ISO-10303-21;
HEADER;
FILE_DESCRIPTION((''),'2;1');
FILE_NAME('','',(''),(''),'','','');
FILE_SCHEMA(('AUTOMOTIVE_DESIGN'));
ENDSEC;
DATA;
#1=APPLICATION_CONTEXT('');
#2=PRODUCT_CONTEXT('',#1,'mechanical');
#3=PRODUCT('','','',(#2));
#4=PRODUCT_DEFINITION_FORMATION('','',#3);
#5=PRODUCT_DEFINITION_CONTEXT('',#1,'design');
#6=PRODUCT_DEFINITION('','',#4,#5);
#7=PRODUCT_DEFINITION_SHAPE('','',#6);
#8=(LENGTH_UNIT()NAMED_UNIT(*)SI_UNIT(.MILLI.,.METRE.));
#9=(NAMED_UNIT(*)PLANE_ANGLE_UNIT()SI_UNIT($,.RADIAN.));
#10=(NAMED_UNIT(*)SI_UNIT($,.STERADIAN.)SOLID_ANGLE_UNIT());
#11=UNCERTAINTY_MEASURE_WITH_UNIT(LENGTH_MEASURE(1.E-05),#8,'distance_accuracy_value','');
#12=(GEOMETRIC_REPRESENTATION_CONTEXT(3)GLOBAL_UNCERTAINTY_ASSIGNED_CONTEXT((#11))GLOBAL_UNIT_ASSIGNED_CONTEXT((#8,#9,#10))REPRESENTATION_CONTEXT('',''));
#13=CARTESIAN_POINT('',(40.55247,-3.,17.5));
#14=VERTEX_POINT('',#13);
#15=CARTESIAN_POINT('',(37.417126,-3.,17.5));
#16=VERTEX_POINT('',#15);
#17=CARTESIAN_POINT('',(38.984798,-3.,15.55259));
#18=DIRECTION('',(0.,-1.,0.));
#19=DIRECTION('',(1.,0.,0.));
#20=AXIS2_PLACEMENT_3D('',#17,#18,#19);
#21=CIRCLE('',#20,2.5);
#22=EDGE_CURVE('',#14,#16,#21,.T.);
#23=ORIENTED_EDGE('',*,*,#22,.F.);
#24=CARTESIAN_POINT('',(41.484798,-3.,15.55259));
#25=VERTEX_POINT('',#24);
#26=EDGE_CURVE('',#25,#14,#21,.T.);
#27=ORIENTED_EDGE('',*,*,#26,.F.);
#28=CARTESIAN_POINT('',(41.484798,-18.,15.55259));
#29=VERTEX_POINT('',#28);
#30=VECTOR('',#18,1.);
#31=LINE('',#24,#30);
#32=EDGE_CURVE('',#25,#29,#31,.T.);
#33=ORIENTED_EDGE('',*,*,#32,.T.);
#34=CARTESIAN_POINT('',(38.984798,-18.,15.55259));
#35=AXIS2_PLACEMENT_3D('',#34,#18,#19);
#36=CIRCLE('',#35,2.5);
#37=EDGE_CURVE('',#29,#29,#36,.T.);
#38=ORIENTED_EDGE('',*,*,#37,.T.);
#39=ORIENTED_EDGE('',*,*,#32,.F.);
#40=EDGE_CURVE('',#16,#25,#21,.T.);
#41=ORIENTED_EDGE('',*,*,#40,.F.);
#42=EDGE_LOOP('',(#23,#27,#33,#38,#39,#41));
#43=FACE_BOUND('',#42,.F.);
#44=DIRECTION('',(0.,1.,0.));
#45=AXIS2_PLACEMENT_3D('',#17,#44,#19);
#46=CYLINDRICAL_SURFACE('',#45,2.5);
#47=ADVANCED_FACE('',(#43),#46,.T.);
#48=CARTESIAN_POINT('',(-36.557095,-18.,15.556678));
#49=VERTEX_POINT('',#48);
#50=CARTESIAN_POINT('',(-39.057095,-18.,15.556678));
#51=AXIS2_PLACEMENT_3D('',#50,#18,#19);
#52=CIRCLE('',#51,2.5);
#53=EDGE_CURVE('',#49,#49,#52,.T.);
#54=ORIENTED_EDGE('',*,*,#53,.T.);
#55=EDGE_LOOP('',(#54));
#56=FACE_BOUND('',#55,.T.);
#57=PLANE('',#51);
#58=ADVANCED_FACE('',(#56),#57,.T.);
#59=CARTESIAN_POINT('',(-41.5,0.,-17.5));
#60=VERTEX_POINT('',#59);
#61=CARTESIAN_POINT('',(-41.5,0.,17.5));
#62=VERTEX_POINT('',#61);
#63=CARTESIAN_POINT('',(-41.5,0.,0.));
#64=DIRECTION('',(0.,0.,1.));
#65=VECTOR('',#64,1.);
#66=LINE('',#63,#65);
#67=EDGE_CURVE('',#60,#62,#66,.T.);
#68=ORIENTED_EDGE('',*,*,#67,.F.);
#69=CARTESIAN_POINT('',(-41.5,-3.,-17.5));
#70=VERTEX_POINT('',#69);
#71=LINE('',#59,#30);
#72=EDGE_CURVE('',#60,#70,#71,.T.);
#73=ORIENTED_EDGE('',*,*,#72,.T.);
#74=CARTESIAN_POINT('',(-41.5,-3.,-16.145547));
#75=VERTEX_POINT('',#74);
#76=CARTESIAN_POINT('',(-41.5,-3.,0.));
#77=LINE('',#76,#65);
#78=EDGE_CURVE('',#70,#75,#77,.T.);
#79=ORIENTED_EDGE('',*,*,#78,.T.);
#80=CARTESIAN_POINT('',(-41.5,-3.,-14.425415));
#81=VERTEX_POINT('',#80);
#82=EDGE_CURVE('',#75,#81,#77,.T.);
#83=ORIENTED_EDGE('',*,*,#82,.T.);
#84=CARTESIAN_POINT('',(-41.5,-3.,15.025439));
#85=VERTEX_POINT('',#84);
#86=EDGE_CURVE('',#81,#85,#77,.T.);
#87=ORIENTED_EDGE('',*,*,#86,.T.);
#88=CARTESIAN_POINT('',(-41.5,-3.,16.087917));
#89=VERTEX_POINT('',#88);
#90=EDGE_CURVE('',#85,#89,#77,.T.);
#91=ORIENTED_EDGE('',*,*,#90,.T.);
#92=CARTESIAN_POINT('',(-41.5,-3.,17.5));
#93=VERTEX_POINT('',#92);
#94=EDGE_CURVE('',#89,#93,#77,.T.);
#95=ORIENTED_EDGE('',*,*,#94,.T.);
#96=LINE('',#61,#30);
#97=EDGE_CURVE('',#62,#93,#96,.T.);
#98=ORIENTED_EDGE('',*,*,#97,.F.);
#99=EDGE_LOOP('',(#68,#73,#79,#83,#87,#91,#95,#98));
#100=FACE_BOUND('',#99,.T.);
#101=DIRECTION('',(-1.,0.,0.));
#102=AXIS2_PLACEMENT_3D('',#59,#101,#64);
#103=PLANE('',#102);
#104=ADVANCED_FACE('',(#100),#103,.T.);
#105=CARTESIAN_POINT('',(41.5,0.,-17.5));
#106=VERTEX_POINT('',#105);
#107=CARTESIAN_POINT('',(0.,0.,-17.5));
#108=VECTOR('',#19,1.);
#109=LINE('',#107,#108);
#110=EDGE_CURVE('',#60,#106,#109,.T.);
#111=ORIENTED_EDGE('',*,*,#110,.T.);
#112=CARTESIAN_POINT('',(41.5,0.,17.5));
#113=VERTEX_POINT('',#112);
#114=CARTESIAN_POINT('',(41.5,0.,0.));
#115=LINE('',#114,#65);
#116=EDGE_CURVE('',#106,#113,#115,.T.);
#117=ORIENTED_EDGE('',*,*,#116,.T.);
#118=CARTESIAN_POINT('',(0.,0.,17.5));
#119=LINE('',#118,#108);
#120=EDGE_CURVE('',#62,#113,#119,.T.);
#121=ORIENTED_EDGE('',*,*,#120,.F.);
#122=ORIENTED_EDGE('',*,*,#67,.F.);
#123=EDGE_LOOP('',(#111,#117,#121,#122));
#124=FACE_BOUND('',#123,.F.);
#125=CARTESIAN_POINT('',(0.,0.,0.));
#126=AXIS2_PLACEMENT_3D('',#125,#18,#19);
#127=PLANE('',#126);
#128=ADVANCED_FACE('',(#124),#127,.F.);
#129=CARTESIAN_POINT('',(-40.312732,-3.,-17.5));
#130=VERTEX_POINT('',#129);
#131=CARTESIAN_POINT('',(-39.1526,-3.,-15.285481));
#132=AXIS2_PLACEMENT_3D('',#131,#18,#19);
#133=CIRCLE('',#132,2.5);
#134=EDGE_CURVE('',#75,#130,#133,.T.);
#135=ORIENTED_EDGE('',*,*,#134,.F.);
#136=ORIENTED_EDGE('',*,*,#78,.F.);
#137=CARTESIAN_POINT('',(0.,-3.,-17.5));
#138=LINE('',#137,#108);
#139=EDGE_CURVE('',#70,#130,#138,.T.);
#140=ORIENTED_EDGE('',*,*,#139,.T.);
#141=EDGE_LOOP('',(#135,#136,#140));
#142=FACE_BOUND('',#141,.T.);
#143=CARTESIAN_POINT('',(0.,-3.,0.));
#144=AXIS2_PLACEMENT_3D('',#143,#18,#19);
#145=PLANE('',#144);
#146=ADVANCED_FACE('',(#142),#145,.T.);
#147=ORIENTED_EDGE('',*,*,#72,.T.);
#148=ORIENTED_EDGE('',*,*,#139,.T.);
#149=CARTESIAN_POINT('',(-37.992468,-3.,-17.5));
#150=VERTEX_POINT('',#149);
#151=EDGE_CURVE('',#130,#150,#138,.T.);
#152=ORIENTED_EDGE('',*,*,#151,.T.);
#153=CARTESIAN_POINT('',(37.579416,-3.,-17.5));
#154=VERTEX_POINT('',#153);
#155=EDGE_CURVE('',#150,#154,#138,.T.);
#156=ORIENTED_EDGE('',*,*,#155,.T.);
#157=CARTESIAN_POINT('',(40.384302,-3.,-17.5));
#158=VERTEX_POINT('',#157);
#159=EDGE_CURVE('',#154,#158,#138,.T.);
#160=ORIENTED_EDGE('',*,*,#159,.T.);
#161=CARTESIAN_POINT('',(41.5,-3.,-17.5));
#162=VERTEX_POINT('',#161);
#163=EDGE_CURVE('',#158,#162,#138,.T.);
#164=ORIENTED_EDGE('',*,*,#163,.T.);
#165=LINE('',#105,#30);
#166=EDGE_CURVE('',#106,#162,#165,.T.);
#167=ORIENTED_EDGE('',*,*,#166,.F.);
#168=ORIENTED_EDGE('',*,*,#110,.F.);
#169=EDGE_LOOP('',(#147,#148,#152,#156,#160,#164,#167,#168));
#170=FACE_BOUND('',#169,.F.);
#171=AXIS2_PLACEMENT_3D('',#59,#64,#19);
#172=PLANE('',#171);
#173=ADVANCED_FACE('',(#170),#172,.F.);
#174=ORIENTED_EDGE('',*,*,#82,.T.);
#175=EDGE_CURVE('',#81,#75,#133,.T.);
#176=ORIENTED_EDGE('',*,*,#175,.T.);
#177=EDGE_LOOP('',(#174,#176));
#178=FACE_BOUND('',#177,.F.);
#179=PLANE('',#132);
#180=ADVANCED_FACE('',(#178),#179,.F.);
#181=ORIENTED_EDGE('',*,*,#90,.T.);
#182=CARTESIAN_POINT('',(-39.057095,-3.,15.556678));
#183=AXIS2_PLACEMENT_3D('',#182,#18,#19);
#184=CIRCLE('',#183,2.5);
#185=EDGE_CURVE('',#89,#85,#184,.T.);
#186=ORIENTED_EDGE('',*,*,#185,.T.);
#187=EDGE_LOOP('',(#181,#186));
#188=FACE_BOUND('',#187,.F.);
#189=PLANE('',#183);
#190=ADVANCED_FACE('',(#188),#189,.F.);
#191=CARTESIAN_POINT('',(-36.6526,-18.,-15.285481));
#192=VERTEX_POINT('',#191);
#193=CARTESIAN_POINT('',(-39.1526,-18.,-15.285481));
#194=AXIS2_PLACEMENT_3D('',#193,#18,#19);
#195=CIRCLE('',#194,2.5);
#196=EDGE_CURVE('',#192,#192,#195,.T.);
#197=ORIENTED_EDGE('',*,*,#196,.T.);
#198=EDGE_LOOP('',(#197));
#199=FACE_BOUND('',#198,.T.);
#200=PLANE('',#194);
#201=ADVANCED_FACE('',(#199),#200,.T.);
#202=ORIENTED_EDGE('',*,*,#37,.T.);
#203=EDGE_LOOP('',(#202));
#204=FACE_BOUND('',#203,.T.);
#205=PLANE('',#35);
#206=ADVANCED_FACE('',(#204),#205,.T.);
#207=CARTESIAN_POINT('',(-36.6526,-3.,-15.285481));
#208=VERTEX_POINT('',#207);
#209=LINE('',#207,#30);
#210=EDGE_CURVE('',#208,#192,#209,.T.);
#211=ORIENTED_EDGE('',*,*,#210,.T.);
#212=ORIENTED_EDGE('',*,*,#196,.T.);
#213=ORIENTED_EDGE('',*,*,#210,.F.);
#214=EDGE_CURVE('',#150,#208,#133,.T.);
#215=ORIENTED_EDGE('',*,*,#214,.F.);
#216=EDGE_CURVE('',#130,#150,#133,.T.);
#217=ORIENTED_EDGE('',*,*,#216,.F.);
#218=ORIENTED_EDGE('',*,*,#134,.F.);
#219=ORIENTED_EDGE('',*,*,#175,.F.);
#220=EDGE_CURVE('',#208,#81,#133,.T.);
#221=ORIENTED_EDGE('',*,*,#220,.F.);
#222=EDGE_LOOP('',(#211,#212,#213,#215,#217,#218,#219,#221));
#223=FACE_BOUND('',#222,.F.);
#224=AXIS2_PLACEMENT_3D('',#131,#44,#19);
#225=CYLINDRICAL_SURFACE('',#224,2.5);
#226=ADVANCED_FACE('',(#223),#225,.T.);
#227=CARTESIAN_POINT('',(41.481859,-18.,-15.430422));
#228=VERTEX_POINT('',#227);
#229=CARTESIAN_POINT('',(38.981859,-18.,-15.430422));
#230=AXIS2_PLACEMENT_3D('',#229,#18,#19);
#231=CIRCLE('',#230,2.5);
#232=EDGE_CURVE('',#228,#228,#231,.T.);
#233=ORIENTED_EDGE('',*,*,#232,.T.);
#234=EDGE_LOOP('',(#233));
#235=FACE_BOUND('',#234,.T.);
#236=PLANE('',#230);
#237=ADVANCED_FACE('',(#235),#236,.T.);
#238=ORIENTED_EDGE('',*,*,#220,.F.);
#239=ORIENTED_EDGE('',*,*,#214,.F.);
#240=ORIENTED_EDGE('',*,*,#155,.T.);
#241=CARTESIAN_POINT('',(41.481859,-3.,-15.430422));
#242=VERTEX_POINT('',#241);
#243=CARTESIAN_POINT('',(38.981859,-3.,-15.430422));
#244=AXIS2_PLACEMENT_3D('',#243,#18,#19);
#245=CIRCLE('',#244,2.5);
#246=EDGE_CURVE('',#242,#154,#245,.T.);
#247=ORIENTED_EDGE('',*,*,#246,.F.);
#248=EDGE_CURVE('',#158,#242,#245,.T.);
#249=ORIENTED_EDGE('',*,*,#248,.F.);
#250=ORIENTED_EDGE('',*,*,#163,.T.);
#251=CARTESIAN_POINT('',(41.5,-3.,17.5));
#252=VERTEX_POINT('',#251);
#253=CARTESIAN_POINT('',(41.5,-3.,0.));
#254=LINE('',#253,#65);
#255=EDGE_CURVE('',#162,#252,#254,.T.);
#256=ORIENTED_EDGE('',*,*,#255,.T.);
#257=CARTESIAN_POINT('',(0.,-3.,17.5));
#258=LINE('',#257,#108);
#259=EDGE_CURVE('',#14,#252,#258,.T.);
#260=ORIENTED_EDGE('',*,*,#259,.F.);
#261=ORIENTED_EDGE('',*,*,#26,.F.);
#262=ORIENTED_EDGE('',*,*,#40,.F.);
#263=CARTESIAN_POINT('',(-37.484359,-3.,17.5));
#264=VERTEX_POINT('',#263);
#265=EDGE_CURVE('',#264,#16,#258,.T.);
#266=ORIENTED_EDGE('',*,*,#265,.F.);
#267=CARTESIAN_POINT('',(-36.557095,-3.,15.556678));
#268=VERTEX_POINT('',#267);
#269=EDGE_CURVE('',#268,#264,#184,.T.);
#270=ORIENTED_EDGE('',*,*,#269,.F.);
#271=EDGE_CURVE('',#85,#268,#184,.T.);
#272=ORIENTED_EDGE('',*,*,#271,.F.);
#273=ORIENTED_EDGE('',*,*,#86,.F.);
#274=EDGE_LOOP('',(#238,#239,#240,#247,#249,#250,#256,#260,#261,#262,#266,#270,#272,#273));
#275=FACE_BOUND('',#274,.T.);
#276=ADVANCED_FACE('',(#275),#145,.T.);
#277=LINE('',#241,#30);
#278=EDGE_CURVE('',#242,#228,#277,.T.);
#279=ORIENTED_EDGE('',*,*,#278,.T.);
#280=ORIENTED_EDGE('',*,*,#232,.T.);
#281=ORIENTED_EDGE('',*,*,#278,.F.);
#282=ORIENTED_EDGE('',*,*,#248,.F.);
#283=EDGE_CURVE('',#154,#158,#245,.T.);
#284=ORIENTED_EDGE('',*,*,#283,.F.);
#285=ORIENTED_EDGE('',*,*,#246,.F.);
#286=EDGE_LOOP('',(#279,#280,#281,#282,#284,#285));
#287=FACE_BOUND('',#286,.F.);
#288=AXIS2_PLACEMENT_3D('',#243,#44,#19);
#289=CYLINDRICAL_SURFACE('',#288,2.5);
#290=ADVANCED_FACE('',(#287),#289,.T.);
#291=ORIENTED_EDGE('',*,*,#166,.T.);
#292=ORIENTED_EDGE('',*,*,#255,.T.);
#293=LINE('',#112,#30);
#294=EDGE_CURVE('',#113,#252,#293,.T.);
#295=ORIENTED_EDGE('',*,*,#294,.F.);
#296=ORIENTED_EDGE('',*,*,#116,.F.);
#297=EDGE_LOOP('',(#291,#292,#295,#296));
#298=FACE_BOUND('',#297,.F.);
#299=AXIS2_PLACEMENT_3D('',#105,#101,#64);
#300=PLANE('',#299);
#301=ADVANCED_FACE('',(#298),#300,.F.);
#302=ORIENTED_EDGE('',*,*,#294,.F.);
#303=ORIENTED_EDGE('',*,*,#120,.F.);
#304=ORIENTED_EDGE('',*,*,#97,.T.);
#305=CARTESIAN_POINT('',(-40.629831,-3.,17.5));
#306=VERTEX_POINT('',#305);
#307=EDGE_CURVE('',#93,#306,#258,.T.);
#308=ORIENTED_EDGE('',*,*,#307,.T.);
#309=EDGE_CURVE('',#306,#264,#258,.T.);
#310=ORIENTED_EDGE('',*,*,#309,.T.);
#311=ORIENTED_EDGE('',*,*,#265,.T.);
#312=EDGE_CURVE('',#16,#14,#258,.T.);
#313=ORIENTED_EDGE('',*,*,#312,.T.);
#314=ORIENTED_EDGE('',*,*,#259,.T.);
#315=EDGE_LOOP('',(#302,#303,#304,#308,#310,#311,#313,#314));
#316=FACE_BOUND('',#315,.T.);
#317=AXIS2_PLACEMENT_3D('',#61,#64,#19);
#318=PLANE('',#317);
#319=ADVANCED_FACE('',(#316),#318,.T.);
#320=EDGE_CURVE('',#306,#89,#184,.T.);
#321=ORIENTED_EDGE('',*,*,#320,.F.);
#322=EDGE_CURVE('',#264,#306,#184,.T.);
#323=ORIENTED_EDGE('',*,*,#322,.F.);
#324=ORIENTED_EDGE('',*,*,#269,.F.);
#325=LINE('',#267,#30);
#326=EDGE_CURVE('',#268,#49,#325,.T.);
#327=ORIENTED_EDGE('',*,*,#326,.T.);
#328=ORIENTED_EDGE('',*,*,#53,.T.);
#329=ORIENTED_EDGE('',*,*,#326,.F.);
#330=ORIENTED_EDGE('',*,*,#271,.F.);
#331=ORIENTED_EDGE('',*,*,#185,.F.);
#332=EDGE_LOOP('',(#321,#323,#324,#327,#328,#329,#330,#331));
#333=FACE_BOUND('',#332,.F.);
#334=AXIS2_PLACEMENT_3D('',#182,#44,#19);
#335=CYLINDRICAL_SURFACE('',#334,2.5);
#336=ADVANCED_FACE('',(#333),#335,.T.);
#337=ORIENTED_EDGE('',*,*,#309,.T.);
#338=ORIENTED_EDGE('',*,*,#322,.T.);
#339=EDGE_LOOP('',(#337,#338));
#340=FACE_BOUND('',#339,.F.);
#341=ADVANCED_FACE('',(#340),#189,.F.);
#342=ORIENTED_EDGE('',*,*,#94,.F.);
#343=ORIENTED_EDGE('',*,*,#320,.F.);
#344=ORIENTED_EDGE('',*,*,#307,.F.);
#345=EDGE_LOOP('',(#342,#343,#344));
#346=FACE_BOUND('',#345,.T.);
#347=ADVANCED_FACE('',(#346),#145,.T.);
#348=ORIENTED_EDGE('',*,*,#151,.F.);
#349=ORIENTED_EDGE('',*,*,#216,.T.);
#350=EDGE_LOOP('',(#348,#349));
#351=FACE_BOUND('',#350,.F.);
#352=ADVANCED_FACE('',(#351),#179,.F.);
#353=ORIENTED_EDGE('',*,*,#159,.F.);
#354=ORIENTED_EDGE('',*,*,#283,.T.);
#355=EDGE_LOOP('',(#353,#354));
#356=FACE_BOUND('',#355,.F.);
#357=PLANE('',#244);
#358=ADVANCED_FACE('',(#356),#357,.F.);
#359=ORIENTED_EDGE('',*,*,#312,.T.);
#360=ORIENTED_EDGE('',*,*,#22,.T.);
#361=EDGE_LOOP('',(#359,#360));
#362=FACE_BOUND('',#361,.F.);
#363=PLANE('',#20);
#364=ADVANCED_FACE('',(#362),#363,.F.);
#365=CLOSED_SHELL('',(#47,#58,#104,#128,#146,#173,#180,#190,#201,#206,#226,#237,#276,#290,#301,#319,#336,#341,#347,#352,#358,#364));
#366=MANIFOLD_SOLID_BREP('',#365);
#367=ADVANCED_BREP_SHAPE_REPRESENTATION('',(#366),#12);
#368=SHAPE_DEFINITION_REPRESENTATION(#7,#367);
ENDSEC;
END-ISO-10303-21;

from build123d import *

# Parameters (mm, degrees)
F0_W      = 83
F0_H      = 35
F1_DEPTH  = 3
F6_R      = 2.5
F7_DEPTH  = 15
F3_R      = 2.5
F8_DEPTH  = 15
F4_R      = 2.5
F9_DEPTH  = 15
F10_DEPTH = 15
F5_R      = 2.5
F11_DEPTH = 15


with BuildPart() as f1:
    # F0 (on Front) → F1 (new body)
    with BuildSketch(Plane.XZ):
        Rectangle(F0_W, F0_H)
    extrude(amount=F1_DEPTH)

    # F6 (on face) → F7 (join)
    with BuildSketch(Plane.XZ.offset(3)):
        with Locations((-39.1526, -15.285481)):
            Circle(F6_R)
    extrude(amount=F7_DEPTH)

    # F3 (on face) → F8 (join)
    with BuildSketch(Plane.XZ.offset(3)):
        with Locations((-39.057095, 15.556678)):
            Circle(F3_R)
    extrude(amount=F8_DEPTH)

    # F4 (on face) → F9 (join)
    with BuildSketch(Plane.XZ.offset(3)):
        with Locations((38.984798, 15.55259)):
            Circle(F4_R)
    extrude(amount=F9_DEPTH)

    # F6 (on face) → F10 (join)
    with BuildSketch(Plane.XZ.offset(3)):
        with Locations((-39.1526, -15.285481)):
            Circle(F6_R)
    extrude(amount=F10_DEPTH)

    # F5 (on face) → F11 (join)
    with BuildSketch(Plane.XZ.offset(3)):
        with Locations((38.981859, -15.430422)):
            Circle(F5_R)
    extrude(amount=F11_DEPTH)


solid = f1.part
